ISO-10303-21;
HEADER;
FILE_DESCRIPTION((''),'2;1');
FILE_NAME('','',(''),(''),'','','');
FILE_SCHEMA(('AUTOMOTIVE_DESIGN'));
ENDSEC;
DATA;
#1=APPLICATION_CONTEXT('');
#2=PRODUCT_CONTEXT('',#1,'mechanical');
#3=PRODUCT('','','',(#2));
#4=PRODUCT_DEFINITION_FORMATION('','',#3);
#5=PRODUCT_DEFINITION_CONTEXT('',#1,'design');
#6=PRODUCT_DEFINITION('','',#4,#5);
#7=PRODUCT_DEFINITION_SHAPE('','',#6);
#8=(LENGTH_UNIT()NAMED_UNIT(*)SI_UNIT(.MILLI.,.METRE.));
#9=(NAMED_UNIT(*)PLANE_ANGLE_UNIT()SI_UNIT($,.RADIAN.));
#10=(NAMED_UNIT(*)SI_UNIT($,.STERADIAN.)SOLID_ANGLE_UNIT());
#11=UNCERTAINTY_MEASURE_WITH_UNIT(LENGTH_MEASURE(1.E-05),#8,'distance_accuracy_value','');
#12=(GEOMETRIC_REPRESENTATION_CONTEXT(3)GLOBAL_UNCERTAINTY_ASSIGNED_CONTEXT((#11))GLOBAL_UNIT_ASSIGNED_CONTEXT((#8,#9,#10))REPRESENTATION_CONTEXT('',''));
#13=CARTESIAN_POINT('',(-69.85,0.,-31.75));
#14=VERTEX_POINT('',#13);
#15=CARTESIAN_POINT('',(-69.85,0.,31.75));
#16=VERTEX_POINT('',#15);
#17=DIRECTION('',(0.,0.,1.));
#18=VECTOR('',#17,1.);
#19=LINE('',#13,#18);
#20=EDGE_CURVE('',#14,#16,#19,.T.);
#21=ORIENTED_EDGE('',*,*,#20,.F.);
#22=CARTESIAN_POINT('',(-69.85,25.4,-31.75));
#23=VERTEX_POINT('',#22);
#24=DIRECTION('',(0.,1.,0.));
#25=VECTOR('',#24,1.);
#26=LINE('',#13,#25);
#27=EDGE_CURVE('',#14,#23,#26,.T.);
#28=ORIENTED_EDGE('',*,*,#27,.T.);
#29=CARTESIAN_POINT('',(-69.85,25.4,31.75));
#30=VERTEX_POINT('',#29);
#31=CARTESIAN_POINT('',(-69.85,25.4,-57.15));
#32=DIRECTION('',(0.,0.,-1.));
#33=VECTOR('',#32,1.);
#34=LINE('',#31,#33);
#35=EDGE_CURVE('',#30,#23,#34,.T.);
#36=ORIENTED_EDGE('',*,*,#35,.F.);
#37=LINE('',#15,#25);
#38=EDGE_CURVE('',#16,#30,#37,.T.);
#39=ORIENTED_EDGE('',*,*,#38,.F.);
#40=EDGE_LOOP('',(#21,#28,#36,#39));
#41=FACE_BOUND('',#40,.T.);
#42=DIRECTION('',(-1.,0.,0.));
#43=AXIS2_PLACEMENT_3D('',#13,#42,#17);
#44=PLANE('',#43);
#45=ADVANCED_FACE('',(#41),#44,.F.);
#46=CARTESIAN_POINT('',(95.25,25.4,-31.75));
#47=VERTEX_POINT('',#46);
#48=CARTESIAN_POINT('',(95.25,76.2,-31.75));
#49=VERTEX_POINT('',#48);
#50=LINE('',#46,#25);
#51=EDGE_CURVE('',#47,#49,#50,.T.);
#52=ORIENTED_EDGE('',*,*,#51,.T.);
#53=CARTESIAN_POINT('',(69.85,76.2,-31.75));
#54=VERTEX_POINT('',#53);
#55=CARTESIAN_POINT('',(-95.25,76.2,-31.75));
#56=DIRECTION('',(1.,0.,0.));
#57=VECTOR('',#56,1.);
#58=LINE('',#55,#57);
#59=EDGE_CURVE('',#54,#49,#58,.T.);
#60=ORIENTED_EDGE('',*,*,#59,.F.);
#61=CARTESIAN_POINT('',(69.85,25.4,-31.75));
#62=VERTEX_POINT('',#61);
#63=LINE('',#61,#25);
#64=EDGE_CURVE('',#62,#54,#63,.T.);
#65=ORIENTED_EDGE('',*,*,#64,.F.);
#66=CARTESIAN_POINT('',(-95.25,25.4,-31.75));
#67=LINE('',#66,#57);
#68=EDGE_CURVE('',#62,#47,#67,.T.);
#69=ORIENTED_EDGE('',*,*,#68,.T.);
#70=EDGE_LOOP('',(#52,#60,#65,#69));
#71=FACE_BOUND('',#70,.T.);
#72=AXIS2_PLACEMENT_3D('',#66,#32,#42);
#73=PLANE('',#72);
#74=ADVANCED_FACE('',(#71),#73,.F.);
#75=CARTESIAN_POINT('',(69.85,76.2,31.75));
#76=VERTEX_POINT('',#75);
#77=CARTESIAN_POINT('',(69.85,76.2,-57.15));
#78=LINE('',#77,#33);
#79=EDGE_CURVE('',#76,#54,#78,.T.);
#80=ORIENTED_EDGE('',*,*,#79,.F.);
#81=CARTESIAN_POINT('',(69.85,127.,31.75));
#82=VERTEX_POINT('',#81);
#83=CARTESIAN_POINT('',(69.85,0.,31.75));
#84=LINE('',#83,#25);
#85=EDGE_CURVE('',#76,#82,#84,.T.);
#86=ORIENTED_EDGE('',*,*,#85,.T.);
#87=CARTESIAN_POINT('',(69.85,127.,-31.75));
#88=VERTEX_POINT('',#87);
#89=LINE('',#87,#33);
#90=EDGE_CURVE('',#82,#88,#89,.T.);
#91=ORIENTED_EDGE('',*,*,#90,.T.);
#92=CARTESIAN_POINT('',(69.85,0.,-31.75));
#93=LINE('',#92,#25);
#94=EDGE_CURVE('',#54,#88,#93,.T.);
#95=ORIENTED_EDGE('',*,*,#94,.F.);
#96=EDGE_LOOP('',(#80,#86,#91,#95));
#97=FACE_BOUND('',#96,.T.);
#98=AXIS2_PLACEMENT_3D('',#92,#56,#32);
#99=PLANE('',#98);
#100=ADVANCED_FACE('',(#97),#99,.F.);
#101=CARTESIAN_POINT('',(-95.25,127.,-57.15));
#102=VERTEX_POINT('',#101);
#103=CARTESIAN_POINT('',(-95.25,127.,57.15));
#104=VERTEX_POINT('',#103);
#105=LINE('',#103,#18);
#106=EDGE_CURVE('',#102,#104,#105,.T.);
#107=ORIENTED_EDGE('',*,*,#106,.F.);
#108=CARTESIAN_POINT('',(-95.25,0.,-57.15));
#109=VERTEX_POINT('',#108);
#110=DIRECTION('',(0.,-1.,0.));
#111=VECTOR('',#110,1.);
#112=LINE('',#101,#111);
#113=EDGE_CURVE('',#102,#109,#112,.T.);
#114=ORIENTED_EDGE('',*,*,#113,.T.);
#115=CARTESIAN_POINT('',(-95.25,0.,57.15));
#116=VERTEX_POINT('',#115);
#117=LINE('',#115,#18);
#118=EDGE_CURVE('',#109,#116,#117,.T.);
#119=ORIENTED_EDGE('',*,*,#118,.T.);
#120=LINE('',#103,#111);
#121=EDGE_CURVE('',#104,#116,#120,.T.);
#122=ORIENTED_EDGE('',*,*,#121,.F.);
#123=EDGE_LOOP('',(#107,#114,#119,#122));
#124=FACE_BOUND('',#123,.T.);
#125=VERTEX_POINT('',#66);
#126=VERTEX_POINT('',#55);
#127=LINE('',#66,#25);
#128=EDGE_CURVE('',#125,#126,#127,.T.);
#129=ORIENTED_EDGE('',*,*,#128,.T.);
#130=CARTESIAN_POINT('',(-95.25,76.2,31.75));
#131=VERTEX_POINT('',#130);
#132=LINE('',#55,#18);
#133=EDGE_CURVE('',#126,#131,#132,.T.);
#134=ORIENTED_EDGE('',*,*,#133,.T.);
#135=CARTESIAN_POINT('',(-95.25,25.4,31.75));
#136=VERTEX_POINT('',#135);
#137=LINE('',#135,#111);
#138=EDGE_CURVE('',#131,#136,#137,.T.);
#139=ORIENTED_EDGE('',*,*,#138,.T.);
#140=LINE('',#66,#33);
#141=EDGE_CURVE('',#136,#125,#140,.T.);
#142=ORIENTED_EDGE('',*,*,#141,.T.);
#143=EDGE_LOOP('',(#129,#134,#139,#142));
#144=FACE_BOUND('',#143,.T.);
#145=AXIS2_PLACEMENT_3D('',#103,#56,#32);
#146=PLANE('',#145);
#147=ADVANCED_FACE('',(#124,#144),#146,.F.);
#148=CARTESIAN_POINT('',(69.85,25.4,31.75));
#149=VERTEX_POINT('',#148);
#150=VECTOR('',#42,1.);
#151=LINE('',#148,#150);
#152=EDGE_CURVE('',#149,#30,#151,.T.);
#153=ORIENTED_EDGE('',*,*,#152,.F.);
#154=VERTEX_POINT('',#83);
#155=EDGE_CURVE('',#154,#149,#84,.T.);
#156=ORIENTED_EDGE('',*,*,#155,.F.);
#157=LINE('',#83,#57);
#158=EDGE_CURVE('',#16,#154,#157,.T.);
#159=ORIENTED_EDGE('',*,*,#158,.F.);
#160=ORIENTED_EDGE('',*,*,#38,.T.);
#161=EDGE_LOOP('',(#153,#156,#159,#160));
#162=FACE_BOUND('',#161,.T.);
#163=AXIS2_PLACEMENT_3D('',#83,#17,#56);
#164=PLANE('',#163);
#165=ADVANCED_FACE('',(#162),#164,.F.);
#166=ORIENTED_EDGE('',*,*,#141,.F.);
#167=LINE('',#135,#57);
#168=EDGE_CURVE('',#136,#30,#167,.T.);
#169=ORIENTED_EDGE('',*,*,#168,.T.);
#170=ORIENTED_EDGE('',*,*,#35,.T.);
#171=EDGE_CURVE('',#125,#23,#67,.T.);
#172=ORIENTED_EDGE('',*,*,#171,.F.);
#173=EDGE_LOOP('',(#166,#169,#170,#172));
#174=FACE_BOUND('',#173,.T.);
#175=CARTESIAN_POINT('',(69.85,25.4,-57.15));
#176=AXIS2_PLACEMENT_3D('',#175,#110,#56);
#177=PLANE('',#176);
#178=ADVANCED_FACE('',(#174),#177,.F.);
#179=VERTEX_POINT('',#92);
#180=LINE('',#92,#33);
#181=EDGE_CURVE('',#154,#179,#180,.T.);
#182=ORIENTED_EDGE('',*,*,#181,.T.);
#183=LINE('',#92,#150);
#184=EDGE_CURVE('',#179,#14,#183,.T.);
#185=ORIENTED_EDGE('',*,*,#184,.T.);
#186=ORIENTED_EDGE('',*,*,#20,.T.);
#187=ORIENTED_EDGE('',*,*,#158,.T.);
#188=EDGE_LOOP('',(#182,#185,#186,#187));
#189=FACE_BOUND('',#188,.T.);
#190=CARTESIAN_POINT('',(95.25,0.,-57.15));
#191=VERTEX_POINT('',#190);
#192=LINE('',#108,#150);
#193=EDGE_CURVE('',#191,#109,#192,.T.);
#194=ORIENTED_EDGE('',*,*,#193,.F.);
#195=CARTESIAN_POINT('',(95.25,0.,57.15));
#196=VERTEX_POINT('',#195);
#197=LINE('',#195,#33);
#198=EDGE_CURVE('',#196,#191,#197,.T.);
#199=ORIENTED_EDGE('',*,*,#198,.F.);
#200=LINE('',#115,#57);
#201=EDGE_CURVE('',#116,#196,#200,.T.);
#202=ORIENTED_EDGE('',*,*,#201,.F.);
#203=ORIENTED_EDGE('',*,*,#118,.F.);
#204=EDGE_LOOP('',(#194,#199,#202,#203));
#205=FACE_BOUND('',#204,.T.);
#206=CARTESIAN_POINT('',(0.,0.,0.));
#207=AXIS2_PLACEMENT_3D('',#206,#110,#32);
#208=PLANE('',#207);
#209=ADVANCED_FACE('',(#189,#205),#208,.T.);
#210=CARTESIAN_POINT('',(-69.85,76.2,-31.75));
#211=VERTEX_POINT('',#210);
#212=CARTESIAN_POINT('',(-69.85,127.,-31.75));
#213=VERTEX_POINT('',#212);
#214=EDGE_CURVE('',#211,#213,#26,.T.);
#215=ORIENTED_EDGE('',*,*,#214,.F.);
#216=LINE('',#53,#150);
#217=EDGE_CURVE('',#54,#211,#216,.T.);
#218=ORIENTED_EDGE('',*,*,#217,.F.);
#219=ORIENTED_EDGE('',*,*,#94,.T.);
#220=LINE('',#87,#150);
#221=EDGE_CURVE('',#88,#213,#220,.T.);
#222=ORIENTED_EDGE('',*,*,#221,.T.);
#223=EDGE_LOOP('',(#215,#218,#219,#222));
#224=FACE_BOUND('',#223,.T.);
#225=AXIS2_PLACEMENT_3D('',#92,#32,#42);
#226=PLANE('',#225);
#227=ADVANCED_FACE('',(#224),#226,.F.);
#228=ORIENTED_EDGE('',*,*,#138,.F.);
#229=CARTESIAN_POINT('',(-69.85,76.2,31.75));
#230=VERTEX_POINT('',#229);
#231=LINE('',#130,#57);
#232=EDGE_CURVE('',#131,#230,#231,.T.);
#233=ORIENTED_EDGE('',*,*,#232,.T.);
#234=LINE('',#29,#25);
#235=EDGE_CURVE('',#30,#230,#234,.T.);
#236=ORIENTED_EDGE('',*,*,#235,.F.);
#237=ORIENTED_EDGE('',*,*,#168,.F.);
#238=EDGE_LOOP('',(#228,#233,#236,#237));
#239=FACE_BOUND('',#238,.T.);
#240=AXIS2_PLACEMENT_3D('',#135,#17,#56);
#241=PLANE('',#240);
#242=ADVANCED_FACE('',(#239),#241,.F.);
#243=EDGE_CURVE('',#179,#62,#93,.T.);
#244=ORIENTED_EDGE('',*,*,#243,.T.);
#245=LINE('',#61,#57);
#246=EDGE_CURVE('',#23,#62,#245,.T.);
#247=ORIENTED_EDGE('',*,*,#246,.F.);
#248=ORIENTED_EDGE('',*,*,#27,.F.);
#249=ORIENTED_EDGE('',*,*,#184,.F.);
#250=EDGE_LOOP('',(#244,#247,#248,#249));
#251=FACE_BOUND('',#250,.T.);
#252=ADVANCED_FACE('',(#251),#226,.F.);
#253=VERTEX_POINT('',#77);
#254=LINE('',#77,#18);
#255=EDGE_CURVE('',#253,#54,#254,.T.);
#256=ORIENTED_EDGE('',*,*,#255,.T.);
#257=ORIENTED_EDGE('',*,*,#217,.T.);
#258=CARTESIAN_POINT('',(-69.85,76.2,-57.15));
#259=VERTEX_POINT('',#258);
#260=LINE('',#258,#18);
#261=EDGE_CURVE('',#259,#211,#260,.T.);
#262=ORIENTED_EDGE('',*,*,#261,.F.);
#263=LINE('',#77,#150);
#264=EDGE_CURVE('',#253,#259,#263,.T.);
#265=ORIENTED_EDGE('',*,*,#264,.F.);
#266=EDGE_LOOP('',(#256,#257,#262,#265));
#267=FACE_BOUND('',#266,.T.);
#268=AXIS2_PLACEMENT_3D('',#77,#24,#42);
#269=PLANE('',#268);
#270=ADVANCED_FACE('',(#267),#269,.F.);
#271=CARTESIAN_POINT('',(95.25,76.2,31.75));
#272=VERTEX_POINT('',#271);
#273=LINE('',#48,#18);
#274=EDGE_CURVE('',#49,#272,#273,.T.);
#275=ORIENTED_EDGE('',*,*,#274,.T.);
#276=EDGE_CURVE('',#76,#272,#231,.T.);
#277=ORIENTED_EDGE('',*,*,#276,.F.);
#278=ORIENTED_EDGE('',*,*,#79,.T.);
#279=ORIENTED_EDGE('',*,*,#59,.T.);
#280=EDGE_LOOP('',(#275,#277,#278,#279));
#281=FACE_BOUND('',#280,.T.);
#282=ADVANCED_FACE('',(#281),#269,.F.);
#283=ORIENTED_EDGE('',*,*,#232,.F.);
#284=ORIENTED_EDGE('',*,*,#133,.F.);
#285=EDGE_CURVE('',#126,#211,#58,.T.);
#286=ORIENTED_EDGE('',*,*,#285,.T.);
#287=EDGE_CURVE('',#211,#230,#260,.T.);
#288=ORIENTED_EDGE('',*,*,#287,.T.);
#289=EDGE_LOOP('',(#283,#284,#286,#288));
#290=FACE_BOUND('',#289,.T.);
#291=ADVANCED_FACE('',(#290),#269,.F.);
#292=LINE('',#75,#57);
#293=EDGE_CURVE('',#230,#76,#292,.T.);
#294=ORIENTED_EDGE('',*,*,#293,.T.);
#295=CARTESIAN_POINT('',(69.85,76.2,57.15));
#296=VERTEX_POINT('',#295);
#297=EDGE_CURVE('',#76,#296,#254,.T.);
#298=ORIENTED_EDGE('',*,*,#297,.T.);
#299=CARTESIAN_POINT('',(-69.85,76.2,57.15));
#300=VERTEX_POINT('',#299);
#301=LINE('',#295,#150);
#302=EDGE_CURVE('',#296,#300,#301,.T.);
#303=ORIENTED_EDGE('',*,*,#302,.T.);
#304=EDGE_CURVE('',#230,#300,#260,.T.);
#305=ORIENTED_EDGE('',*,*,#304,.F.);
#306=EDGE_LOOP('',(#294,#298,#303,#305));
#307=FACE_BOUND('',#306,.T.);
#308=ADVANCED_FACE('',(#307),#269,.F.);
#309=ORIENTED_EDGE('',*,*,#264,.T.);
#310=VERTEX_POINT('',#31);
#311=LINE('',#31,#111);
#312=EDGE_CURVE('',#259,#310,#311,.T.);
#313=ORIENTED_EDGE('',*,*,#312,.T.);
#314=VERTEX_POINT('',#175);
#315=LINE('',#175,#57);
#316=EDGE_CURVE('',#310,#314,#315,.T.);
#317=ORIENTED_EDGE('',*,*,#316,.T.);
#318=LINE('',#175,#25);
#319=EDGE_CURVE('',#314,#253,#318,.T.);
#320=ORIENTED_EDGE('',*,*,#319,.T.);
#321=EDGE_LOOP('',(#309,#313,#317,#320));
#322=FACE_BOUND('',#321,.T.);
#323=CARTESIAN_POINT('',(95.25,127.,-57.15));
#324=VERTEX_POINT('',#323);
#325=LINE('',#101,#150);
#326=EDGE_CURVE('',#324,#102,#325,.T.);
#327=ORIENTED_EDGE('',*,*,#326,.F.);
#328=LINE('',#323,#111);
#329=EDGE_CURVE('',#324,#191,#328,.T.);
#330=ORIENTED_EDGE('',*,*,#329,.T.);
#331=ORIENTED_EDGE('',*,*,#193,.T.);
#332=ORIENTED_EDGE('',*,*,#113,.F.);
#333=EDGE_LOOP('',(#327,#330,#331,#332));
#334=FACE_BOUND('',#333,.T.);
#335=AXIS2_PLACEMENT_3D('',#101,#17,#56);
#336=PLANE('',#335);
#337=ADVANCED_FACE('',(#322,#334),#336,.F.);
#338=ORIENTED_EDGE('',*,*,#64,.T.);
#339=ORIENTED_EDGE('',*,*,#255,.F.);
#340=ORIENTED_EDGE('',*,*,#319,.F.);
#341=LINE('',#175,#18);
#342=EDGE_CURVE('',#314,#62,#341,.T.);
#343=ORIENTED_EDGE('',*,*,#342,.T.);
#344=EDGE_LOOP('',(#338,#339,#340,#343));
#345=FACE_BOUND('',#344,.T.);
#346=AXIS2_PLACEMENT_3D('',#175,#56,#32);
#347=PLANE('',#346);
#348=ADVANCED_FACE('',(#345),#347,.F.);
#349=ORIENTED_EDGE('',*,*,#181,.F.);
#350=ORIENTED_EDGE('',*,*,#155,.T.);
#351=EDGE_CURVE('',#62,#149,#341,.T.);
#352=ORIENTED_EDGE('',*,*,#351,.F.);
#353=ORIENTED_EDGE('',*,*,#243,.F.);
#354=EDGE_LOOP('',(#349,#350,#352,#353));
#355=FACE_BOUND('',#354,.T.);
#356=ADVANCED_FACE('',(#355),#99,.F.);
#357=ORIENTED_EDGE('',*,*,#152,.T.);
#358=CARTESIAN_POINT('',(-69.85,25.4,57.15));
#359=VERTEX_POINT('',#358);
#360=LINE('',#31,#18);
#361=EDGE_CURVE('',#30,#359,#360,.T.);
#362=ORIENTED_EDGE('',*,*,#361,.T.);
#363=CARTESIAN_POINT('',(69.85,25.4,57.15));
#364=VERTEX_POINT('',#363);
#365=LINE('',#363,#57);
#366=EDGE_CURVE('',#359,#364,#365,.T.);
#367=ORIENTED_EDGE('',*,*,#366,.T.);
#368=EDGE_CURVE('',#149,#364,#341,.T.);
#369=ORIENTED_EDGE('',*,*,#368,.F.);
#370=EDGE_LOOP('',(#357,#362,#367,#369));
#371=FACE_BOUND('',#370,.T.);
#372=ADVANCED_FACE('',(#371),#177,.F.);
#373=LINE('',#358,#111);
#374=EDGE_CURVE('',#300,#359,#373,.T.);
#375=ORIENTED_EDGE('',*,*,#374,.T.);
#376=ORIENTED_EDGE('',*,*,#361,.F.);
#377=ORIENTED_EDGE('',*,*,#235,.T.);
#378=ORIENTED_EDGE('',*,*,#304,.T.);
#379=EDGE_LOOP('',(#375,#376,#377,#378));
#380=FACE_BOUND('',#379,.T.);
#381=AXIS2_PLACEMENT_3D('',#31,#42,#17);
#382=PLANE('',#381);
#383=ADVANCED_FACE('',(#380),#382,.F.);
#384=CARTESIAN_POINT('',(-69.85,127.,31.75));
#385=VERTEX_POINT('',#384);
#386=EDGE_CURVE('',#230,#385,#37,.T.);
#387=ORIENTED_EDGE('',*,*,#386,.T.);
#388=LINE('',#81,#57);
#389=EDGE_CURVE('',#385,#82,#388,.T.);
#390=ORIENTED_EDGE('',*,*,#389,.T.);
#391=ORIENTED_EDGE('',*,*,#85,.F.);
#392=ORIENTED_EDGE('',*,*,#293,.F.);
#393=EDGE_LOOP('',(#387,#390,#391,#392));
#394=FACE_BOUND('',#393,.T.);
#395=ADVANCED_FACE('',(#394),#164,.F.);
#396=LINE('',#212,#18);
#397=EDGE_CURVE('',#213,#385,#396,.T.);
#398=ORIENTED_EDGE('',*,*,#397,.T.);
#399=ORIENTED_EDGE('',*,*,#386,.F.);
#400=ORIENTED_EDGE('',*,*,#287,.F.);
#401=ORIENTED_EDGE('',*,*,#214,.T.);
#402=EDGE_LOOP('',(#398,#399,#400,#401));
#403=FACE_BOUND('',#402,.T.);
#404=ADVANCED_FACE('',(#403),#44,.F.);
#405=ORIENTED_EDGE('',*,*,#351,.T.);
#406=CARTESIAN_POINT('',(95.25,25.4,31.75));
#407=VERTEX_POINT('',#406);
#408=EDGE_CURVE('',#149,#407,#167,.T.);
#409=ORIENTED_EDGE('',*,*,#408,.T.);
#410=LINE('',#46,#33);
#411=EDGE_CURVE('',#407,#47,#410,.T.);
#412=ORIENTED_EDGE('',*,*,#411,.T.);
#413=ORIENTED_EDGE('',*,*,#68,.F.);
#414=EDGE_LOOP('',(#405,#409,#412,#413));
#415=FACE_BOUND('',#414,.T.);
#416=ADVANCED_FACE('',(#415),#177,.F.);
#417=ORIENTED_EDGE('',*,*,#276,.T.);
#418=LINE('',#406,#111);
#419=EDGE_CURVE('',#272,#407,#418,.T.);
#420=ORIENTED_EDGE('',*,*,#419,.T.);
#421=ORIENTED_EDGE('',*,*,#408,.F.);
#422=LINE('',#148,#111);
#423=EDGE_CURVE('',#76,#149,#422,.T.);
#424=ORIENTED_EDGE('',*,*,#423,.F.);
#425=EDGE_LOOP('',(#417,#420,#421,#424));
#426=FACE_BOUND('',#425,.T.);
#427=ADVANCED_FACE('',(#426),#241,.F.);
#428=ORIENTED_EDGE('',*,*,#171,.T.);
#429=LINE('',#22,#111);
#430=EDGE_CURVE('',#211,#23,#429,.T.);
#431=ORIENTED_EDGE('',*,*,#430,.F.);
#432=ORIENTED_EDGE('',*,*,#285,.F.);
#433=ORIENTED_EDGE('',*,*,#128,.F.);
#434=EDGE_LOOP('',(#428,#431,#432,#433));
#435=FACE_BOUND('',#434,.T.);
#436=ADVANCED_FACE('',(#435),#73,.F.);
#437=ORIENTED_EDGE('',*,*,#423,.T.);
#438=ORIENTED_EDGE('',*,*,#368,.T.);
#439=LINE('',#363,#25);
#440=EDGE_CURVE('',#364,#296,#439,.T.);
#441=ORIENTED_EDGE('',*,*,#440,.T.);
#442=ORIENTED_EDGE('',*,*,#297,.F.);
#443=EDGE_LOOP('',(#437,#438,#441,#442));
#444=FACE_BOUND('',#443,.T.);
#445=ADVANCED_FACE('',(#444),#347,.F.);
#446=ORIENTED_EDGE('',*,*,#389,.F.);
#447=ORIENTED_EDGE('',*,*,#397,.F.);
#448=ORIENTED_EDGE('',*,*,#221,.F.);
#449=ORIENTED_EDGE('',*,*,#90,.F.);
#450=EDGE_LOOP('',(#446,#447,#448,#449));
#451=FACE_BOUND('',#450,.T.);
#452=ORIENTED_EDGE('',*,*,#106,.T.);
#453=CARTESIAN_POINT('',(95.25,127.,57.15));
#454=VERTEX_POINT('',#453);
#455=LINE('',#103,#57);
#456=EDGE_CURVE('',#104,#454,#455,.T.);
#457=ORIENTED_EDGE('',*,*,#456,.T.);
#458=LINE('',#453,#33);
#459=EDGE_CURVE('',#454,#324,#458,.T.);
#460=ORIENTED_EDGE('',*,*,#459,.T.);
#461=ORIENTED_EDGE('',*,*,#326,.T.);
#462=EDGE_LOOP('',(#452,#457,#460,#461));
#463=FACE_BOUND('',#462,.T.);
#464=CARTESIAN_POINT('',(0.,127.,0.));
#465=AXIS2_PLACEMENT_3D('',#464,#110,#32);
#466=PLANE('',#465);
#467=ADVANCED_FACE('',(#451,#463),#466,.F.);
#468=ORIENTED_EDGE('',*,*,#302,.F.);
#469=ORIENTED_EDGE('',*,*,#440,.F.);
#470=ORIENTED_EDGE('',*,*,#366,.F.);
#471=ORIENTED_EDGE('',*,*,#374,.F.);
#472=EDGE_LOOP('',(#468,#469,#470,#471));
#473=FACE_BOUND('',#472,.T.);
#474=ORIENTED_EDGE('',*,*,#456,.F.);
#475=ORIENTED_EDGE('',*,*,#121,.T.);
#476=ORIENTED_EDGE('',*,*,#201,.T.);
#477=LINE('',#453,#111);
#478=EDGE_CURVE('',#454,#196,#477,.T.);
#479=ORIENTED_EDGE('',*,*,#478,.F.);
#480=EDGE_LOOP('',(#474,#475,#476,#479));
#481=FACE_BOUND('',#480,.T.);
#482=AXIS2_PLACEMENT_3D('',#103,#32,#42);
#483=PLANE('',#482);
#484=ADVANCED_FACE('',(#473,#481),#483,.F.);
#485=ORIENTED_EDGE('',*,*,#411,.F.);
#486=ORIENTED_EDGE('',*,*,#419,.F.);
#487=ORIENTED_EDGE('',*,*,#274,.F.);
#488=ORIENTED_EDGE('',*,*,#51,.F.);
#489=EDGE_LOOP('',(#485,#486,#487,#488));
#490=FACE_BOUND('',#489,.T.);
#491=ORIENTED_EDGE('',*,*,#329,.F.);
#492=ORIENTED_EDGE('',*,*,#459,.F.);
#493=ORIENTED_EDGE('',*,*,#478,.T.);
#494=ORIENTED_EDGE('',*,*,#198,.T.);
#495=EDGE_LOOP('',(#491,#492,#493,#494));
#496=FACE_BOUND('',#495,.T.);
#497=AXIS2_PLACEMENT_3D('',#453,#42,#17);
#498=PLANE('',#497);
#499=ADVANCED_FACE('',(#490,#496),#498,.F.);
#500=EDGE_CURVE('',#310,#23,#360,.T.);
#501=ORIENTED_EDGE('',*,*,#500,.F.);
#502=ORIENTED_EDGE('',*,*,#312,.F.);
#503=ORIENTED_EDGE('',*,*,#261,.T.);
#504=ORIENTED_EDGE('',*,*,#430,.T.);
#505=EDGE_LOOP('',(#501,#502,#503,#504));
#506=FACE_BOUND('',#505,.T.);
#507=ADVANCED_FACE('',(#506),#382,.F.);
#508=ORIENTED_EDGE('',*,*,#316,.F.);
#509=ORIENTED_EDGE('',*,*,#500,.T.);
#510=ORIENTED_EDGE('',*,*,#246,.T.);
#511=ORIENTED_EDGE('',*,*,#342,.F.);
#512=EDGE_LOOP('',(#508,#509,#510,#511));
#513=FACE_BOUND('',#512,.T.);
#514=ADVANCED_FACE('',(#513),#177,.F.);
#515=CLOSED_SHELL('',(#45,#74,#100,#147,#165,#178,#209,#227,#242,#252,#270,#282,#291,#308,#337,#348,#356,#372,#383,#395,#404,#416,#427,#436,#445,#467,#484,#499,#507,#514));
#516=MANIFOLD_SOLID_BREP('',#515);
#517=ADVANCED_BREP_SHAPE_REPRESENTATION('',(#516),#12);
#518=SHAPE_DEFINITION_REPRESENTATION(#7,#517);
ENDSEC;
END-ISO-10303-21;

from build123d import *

# Parameters (mm, degrees)
SKETCH1_W           = 190.5
SKETCH1_H           = 114.3
BOSS_EXTRUDE1_DEPTH = 127
SKETCH2_W           = 139.7
SKETCH2_H           = 50.8
CUT_EXTRUDE1_DEPTH  = 196.61710687
SKETCH3_W           = 63.5
SKETCH3_H           = 50.8
CUT_EXTRUDE2_DEPTH  = 236.977483036
SKETCH4_W           = 139.7
SKETCH4_H           = 63.5
CUT_EXTRUDE3_DEPTH  = 169.723694246


with BuildPart() as part:
    # Sketch1 → Boss-Extrude1 (new body)
    with BuildSketch(Plane(origin=(0, 0, 0), x_dir=(1, 0, 0), z_dir=(0, 1, 0))):
        Rectangle(SKETCH1_W, SKETCH1_H)
    extrude(amount=BOSS_EXTRUDE1_DEPTH)

    # Sketch2 → Cut-Extrude1 (cut, through all)
    with BuildSketch(Plane.XY.offset(57.15)):
        with Locations((0, 50.8)):
            Rectangle(SKETCH2_W, SKETCH2_H)
    extrude(amount=-CUT_EXTRUDE1_DEPTH, mode=Mode.SUBTRACT)

    # Sketch3 → Cut-Extrude2 (cut, through all)
    with BuildSketch(Plane(origin=(95.25, 0, 0), x_dir=(0, 0, -1), z_dir=(1, 0, 0))):
        with Locations((0, 50.8)):
            Rectangle(SKETCH3_W, SKETCH3_H)
    extrude(amount=-CUT_EXTRUDE2_DEPTH, mode=Mode.SUBTRACT)

    # Sketch4 → Cut-Extrude3 (cut, through all)
    with BuildSketch(Plane(origin=(0, 127, 0), x_dir=(1, 0, 0), z_dir=(0, 1, 0))):
        Rectangle(SKETCH4_W, SKETCH4_H)
    extrude(amount=-CUT_EXTRUDE3_DEPTH, mode=Mode.SUBTRACT)


solid = part.part
